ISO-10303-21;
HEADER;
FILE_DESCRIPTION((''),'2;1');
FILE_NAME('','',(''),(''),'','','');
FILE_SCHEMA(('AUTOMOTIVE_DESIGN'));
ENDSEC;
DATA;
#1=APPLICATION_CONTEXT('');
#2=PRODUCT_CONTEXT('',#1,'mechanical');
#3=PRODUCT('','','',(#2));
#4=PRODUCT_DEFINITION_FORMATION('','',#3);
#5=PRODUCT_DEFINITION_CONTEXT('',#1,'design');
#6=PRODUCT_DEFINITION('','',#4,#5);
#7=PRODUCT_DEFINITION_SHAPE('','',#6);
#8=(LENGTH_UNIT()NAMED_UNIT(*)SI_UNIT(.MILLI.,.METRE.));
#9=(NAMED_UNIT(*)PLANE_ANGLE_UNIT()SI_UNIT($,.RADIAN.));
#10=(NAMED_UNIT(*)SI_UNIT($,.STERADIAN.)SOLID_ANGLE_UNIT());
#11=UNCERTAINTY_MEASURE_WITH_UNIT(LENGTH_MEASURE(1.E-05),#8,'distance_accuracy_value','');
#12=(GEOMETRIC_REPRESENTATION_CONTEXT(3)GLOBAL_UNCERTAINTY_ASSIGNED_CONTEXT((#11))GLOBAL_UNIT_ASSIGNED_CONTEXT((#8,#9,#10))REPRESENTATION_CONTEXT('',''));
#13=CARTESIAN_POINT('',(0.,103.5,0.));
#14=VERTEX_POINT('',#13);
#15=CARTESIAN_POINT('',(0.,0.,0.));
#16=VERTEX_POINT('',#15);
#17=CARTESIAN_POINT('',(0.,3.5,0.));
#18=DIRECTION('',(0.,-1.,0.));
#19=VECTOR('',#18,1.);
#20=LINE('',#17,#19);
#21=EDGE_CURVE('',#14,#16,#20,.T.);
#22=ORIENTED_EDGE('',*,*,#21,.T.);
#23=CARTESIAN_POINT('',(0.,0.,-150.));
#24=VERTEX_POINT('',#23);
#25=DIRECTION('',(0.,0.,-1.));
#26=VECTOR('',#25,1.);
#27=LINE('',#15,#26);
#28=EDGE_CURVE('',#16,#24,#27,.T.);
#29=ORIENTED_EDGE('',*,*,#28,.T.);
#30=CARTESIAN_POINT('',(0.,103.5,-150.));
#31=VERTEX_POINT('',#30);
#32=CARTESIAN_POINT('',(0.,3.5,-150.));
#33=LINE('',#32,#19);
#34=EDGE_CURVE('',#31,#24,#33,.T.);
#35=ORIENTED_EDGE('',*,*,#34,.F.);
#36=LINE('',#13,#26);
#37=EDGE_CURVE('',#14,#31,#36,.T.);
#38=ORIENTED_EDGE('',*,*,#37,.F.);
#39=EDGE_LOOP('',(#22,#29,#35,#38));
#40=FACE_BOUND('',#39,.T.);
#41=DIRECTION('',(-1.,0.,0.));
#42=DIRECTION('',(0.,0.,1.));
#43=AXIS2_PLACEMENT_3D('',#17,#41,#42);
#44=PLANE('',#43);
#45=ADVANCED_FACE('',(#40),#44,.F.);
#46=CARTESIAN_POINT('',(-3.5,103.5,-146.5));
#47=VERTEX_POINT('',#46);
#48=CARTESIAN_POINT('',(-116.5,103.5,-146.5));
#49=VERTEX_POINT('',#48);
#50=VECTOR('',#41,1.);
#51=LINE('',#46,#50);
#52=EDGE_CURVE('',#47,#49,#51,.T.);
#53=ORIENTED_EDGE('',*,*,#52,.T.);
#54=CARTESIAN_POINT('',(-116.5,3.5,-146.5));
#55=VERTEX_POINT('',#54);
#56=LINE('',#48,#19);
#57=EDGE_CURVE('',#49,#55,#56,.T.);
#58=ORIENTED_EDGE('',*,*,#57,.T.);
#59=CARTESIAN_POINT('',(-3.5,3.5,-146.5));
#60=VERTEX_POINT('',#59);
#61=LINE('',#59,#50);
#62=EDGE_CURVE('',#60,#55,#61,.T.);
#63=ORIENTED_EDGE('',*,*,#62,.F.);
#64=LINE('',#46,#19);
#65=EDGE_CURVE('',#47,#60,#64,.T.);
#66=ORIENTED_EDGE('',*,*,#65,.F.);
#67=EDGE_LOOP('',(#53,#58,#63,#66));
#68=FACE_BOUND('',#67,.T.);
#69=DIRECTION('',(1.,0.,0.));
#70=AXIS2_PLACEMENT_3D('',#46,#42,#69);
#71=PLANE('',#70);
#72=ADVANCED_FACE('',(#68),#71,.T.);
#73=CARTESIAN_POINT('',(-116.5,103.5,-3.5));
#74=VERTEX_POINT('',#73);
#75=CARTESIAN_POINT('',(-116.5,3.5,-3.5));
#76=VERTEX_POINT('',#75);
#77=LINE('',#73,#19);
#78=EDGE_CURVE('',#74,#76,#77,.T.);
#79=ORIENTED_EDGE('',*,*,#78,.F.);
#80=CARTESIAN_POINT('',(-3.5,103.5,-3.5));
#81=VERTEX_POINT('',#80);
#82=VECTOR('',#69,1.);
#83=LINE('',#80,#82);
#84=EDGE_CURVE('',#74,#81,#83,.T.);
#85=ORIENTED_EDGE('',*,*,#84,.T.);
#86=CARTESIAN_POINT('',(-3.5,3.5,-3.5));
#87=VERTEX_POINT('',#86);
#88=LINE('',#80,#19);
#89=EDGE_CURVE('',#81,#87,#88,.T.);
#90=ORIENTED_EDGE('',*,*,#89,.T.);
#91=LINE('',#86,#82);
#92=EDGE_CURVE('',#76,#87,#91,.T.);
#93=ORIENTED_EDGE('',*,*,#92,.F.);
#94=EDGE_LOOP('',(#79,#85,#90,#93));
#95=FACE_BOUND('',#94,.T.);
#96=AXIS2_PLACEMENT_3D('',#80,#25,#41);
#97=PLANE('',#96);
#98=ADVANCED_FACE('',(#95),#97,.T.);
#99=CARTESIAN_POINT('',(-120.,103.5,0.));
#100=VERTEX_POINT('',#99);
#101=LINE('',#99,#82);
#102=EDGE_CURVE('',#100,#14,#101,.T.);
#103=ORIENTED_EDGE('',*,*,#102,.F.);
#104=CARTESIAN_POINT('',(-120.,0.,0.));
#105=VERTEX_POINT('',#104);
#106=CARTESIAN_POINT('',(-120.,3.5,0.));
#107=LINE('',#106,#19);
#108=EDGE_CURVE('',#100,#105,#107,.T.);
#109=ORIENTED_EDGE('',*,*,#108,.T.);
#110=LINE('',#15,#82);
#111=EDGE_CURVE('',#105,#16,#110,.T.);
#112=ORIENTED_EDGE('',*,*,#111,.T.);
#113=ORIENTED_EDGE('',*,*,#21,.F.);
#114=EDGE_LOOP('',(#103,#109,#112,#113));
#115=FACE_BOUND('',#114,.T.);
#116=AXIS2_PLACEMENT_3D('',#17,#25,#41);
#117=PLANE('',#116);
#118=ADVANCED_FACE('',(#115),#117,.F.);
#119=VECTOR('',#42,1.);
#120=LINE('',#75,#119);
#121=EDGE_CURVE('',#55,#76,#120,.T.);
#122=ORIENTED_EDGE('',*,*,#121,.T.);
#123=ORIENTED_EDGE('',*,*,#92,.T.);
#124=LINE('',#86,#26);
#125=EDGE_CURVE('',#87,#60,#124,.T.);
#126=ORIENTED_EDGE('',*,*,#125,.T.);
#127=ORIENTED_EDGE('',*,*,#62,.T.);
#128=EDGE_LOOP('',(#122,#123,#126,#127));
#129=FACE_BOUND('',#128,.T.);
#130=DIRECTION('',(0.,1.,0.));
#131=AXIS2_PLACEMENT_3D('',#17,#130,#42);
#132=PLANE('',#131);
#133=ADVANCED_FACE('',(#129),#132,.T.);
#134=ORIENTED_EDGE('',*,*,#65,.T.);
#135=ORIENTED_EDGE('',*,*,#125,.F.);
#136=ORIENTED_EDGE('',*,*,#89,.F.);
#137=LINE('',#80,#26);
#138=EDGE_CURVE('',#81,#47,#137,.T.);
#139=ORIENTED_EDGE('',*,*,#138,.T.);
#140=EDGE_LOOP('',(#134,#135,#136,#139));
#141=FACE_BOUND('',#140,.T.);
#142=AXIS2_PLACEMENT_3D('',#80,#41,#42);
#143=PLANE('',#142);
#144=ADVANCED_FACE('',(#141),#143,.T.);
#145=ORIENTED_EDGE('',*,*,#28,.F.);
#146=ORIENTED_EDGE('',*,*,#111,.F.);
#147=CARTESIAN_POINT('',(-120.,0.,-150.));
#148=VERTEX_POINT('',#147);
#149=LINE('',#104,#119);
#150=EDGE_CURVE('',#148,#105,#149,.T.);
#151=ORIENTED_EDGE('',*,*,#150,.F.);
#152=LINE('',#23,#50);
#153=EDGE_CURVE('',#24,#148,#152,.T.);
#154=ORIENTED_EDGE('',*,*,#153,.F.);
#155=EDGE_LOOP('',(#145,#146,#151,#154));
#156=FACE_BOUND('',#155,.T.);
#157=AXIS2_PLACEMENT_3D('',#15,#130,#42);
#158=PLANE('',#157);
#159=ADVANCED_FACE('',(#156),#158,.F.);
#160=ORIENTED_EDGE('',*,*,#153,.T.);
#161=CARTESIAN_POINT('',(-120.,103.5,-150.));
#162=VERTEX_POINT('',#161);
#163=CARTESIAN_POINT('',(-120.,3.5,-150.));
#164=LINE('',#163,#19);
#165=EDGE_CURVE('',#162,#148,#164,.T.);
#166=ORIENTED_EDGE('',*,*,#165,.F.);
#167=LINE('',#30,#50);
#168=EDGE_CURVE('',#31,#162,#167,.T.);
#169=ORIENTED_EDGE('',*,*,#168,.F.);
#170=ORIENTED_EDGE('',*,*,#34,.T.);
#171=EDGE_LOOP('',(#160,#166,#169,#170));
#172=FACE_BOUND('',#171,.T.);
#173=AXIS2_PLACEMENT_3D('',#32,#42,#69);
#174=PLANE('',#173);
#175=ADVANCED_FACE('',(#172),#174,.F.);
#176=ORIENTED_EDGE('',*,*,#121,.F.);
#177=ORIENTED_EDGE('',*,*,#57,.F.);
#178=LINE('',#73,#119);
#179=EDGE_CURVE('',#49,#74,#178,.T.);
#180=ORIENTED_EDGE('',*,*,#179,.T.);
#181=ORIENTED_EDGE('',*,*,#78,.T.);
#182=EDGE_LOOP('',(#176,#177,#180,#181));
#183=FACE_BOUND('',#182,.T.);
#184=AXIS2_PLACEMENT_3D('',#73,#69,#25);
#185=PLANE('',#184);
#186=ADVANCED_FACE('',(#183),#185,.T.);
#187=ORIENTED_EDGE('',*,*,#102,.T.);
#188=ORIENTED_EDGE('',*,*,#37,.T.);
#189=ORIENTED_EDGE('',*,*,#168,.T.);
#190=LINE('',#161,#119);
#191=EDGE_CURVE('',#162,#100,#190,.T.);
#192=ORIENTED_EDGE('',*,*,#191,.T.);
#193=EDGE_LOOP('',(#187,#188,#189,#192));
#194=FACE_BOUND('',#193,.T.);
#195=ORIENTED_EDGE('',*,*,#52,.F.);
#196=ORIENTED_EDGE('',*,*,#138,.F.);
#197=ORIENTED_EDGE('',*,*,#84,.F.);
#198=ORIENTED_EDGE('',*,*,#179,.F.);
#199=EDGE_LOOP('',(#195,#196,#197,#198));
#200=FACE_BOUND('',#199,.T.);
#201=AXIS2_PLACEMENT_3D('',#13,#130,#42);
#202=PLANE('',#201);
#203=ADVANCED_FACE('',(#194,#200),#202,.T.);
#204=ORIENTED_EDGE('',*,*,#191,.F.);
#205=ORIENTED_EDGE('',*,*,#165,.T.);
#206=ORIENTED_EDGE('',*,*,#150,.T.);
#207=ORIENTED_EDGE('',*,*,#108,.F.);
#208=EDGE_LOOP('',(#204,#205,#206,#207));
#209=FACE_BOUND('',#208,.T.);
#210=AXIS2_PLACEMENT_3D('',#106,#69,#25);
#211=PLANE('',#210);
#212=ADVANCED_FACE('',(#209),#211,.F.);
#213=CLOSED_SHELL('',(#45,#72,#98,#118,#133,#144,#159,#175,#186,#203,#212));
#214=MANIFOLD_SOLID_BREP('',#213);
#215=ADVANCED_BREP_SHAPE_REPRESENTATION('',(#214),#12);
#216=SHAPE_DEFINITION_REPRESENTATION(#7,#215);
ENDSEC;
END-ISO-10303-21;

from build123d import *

# Parameters (mm, degrees)
SKETCH1_W           = 120
SKETCH1_H           = 150
BOSS_EXTRUDE1_DEPTH = 3.5
SKETCH2_W           = 120
SKETCH2_H           = 150
SKETCH2_W_2         = 113
SKETCH2_H_2         = 143
BOSS_EXTRUDE3_DEPTH = 100


with BuildPart() as part:
    # Sketch1 → Boss-Extrude1 (new body)
    with BuildSketch(Plane(origin=(0, 0, 0), x_dir=(1, 0, 0), z_dir=(0, 1, 0))):
        with Locations((-60, 75)):
            Rectangle(SKETCH1_W, SKETCH1_H)
    extrude(amount=BOSS_EXTRUDE1_DEPTH)

    # Sketch2 → Boss-Extrude3 (add)
    with BuildSketch(Plane(origin=(0, 3.5, 0), x_dir=(1, 0, 0), z_dir=(0, 1, 0))):
        with Locations((-60, 75)):
            Rectangle(SKETCH2_W, SKETCH2_H)
        with Locations((-60, 75)):
            Rectangle(SKETCH2_W_2, SKETCH2_H_2, mode=Mode.SUBTRACT)
    extrude(amount=BOSS_EXTRUDE3_DEPTH)


solid = part.part
